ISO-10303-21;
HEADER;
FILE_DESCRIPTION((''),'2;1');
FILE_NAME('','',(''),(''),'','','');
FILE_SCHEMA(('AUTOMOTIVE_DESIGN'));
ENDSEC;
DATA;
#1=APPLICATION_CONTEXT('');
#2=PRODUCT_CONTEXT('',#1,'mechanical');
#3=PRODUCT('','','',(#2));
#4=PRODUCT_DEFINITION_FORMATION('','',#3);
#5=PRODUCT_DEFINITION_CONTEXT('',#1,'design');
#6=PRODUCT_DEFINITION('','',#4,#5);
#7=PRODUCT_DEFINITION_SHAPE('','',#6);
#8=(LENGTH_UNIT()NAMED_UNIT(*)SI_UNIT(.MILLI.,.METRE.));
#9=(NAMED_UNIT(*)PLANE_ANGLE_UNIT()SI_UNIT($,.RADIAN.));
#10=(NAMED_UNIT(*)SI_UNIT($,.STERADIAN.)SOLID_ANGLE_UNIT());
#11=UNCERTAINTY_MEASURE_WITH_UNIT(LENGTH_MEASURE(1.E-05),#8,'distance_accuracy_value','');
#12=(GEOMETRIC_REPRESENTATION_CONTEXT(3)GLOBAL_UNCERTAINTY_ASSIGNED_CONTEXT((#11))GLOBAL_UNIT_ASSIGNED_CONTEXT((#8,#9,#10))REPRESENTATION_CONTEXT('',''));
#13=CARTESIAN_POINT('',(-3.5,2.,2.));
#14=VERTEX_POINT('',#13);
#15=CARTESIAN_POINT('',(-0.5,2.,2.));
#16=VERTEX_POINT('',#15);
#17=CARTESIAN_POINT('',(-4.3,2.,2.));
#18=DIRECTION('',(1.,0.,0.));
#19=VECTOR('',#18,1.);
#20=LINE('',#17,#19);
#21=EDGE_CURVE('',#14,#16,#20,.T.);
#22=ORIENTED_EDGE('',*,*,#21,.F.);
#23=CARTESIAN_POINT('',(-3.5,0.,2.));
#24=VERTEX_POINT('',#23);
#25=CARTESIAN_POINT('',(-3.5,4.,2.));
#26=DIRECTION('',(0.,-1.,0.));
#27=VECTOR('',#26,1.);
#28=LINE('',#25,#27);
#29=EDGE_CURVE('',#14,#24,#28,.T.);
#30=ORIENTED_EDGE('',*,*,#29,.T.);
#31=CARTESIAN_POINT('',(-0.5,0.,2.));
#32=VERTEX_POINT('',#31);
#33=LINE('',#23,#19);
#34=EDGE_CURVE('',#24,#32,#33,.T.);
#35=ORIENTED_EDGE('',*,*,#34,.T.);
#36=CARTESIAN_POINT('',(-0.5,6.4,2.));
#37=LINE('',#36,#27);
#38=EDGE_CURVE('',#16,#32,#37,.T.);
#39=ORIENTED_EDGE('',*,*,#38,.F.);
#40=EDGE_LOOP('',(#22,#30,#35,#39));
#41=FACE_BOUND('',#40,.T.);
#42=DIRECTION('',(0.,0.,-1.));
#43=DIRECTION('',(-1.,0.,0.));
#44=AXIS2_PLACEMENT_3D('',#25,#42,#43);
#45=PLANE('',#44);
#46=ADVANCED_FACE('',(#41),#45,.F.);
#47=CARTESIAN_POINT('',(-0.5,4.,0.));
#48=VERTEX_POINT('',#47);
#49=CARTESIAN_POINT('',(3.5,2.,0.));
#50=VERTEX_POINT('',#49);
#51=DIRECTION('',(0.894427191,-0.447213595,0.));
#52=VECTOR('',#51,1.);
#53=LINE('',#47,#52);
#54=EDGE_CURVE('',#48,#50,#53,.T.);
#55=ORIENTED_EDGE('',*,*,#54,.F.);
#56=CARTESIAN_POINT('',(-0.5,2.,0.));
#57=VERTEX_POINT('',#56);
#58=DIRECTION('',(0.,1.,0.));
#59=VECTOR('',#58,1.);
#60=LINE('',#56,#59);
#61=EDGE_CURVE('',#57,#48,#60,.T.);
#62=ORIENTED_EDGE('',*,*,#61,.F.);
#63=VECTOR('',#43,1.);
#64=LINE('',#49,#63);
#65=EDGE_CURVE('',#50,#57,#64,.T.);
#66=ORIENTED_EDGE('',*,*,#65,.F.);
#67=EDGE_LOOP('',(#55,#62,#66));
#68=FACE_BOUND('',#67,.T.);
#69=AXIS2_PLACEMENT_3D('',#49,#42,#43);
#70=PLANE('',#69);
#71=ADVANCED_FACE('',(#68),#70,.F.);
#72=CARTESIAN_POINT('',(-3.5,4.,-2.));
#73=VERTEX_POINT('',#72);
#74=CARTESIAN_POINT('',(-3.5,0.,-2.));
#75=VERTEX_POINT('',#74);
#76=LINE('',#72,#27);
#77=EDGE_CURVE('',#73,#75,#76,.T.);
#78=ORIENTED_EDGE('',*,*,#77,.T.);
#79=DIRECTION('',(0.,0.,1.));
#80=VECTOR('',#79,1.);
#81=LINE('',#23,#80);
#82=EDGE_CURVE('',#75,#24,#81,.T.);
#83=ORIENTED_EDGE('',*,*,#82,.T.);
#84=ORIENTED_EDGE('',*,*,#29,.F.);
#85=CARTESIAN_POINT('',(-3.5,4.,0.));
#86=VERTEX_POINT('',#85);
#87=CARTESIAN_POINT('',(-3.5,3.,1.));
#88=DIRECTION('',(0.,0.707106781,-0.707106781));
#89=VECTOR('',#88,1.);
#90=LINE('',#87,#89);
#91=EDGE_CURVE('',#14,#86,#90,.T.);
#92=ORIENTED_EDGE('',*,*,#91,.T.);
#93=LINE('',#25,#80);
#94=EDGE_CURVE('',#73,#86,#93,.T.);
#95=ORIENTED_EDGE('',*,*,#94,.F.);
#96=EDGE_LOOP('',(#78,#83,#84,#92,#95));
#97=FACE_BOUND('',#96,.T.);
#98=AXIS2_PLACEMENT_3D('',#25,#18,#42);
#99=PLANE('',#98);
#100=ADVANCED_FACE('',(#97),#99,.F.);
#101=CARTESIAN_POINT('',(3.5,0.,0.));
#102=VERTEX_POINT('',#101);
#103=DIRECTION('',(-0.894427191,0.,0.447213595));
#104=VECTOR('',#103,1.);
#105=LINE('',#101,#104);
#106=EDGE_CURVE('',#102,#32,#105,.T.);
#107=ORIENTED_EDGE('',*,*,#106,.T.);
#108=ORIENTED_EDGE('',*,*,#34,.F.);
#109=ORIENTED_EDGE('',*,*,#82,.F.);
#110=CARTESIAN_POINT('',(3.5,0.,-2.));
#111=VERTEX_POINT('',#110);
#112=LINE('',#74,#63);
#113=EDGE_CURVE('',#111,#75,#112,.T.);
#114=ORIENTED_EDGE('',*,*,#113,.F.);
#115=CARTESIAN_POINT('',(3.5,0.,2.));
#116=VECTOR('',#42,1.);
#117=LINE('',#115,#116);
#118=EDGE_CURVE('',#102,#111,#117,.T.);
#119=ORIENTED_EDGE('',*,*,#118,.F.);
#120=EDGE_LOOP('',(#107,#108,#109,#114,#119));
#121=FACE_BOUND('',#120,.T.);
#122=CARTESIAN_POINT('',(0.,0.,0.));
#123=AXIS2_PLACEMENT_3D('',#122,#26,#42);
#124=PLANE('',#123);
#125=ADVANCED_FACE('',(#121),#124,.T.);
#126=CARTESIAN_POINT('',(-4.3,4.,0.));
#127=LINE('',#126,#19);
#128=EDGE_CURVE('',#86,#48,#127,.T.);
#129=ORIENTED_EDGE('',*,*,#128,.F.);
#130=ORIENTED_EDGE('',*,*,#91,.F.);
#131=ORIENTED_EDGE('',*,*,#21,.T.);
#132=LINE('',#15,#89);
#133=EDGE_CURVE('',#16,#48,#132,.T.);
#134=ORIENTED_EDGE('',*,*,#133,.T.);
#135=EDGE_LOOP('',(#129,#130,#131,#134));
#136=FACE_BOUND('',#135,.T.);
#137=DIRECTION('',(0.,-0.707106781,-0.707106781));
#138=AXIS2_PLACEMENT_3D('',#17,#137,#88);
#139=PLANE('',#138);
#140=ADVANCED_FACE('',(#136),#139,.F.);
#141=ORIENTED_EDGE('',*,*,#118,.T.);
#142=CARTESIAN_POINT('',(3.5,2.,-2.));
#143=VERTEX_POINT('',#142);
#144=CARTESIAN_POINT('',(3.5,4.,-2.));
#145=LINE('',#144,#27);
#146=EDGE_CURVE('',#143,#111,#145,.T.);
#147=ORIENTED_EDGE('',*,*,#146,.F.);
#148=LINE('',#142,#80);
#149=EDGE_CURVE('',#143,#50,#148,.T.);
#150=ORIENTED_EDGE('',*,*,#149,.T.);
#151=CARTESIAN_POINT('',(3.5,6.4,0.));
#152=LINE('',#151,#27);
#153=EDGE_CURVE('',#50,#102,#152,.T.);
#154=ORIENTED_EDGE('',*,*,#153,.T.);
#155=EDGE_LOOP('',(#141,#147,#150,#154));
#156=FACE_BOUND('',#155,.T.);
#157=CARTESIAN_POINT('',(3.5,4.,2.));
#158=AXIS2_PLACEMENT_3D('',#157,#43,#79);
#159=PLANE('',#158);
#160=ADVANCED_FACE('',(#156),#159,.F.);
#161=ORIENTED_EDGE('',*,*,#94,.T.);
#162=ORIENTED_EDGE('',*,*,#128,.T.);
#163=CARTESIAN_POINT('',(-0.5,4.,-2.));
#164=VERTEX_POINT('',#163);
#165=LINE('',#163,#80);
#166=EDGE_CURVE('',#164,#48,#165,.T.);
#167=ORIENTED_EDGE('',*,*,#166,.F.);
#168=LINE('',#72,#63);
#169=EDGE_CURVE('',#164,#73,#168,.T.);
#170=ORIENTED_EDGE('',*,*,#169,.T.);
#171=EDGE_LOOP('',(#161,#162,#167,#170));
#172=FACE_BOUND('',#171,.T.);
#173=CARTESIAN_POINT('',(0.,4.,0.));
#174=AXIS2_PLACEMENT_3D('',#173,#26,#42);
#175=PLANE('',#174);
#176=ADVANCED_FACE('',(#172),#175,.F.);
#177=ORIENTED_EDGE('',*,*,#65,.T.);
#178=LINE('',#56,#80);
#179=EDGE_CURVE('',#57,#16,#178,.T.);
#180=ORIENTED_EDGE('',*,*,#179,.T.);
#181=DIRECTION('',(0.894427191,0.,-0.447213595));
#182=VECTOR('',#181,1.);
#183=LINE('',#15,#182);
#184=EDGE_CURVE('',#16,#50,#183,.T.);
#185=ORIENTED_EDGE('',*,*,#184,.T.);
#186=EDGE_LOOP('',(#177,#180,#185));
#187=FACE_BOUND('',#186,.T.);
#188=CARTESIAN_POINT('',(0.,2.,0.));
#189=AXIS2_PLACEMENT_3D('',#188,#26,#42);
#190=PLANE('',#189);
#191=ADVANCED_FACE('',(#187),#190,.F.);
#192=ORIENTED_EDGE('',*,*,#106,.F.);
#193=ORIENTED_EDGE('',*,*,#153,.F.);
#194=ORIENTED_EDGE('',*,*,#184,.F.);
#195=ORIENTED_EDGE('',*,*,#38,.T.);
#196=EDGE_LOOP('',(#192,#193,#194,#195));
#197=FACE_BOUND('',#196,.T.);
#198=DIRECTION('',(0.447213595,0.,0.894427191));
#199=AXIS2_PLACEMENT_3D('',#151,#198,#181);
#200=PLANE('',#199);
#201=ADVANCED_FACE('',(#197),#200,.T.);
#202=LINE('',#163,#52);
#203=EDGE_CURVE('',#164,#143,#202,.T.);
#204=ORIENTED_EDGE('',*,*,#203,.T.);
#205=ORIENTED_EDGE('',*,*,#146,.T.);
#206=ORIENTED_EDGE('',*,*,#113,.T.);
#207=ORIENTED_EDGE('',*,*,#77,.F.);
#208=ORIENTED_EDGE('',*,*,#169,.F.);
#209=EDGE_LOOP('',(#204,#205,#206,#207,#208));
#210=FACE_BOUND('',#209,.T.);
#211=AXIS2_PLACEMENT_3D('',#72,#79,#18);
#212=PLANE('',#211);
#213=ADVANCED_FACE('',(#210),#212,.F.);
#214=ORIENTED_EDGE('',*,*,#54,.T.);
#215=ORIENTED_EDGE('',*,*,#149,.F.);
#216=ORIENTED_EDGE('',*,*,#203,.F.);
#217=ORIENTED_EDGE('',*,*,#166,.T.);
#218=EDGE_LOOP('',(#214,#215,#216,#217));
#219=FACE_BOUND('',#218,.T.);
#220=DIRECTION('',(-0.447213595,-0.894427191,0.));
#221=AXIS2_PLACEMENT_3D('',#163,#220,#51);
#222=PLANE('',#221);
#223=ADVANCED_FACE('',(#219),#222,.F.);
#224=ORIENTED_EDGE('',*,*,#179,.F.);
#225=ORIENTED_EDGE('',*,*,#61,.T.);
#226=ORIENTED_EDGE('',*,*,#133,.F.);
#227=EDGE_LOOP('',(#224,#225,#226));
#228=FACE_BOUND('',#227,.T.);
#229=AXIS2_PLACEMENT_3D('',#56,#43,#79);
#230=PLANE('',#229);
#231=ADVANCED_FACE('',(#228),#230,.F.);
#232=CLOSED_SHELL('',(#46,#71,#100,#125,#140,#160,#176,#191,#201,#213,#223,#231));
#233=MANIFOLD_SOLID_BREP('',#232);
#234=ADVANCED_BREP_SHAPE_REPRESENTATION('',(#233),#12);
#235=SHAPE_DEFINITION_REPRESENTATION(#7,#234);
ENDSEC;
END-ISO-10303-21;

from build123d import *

# Parameters (mm, degrees)
SKETCH_1_W          = 7
SKETCH_1_H          = 4
EXTRUDE_1_DEPTH     = 4
CUT_EXTRUDE_1_DEPTH = 4
CUT_EXTRUDE_2_DEPTH = 6.4
CUT_EXTRUDE_3_DEPTH = 2
CUT_EXTRUDE_4_DEPTH = 3.8


with BuildPart() as part:
    # 草圖1 → 填料-伸長1 (new body)
    with BuildSketch(Plane(origin=(0, 0, 0), x_dir=(1, 0, 0), z_dir=(0, 1, 0))):
        Rectangle(SKETCH_1_W, SKETCH_1_H)
    extrude(amount=EXTRUDE_1_DEPTH)

    # 草圖2 → 除料-伸長1 (cut)
    with BuildSketch(Plane.XY.offset(2)):
        Polygon((3.5, 4), (-0.5, 4), (3.5, 2), align=None)
    extrude(amount=-CUT_EXTRUDE_1_DEPTH, mode=Mode.SUBTRACT)

    # 草圖3 → 除料-伸長2 (cut)
    with BuildSketch(Plane(origin=(0, 0, 0), x_dir=(1, 0, 0), z_dir=(0, 1, 0))):
        Polygon((-0.5, -2), (3.5, -2), (3.5, 0), align=None)
    extrude(amount=CUT_EXTRUDE_2_DEPTH, mode=Mode.SUBTRACT)

    # 草圖4 → 除料-伸長3 (cut)
    with BuildSketch(Plane(origin=(0, 4, 0), x_dir=(1, 0, 0), z_dir=(0, 1, 0))):
        Polygon((3.5, 0), (-0.5, 0), (-0.5, -2), align=None)
    extrude(amount=-CUT_EXTRUDE_3_DEPTH, mode=Mode.SUBTRACT)

    # 草圖5 → 除料-伸長4 (cut)
    with BuildSketch(Plane(origin=(-0.5, 0, 0), x_dir=(0, 0, -1), z_dir=(1, 0, 0))):
        Polygon((0, 4), (-2, 4), (-2, 2), align=None)
    extrude(amount=-CUT_EXTRUDE_4_DEPTH, mode=Mode.SUBTRACT)


solid = part.part
